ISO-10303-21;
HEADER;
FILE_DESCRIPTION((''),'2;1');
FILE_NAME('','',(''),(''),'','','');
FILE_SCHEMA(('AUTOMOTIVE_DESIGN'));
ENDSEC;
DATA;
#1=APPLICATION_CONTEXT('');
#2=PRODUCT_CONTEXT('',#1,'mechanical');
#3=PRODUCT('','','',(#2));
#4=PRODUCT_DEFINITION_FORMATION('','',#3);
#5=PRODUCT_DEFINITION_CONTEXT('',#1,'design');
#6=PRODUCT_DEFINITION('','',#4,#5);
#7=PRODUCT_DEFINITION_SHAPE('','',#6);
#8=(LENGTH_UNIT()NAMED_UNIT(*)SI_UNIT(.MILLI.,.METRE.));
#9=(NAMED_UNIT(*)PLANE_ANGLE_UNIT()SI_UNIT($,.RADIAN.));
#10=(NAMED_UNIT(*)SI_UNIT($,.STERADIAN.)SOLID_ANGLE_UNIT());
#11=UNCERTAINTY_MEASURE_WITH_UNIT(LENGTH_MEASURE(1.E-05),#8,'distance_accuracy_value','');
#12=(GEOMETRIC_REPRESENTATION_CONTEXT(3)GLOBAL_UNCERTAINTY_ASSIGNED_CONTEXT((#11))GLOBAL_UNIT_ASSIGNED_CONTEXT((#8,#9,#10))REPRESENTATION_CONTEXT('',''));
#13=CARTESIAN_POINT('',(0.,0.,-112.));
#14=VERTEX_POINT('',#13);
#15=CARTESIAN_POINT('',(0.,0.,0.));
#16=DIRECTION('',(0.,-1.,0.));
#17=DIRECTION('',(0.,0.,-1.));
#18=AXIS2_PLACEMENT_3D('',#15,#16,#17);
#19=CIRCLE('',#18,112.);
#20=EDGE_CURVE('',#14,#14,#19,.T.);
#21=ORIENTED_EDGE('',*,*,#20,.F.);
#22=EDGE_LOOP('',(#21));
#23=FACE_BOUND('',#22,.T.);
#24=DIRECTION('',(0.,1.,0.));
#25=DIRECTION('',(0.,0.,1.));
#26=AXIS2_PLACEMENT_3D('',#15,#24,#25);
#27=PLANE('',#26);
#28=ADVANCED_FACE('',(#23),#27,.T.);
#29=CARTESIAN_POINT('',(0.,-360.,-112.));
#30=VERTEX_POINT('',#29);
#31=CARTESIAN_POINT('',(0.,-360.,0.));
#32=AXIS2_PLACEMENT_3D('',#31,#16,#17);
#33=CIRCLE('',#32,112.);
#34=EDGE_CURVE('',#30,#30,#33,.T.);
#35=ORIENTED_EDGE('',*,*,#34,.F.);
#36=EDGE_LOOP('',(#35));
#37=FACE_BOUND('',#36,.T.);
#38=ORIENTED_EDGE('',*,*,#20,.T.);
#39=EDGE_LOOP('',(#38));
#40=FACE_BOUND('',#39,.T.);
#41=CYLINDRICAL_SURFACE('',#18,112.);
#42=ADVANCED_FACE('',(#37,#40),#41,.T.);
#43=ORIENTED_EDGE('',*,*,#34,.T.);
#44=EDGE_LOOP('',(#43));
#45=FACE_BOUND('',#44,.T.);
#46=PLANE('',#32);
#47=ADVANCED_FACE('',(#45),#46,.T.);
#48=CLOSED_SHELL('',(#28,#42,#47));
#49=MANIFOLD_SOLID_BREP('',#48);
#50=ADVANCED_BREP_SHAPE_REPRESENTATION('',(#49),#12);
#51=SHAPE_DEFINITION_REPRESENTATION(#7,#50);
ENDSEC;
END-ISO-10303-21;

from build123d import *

# Parameters (mm, degrees)
SKETCH1_W = 112
SKETCH1_H = 360


with BuildPart() as part:
    # Sketch1 → Revolve1 (revolve)
    with BuildSketch(Plane.XY, mode=Mode.PRIVATE) as revolve1_sk:
        with Locations((56, -180)):
            Rectangle(SKETCH1_W, SKETCH1_H)
    revolve(revolve1_sk.sketch.rotate(Axis((0, 0, 0), (0, 1, 0)), 90), axis=Axis((0, 0, 0), (0, 1, 0)))


solid = part.part
